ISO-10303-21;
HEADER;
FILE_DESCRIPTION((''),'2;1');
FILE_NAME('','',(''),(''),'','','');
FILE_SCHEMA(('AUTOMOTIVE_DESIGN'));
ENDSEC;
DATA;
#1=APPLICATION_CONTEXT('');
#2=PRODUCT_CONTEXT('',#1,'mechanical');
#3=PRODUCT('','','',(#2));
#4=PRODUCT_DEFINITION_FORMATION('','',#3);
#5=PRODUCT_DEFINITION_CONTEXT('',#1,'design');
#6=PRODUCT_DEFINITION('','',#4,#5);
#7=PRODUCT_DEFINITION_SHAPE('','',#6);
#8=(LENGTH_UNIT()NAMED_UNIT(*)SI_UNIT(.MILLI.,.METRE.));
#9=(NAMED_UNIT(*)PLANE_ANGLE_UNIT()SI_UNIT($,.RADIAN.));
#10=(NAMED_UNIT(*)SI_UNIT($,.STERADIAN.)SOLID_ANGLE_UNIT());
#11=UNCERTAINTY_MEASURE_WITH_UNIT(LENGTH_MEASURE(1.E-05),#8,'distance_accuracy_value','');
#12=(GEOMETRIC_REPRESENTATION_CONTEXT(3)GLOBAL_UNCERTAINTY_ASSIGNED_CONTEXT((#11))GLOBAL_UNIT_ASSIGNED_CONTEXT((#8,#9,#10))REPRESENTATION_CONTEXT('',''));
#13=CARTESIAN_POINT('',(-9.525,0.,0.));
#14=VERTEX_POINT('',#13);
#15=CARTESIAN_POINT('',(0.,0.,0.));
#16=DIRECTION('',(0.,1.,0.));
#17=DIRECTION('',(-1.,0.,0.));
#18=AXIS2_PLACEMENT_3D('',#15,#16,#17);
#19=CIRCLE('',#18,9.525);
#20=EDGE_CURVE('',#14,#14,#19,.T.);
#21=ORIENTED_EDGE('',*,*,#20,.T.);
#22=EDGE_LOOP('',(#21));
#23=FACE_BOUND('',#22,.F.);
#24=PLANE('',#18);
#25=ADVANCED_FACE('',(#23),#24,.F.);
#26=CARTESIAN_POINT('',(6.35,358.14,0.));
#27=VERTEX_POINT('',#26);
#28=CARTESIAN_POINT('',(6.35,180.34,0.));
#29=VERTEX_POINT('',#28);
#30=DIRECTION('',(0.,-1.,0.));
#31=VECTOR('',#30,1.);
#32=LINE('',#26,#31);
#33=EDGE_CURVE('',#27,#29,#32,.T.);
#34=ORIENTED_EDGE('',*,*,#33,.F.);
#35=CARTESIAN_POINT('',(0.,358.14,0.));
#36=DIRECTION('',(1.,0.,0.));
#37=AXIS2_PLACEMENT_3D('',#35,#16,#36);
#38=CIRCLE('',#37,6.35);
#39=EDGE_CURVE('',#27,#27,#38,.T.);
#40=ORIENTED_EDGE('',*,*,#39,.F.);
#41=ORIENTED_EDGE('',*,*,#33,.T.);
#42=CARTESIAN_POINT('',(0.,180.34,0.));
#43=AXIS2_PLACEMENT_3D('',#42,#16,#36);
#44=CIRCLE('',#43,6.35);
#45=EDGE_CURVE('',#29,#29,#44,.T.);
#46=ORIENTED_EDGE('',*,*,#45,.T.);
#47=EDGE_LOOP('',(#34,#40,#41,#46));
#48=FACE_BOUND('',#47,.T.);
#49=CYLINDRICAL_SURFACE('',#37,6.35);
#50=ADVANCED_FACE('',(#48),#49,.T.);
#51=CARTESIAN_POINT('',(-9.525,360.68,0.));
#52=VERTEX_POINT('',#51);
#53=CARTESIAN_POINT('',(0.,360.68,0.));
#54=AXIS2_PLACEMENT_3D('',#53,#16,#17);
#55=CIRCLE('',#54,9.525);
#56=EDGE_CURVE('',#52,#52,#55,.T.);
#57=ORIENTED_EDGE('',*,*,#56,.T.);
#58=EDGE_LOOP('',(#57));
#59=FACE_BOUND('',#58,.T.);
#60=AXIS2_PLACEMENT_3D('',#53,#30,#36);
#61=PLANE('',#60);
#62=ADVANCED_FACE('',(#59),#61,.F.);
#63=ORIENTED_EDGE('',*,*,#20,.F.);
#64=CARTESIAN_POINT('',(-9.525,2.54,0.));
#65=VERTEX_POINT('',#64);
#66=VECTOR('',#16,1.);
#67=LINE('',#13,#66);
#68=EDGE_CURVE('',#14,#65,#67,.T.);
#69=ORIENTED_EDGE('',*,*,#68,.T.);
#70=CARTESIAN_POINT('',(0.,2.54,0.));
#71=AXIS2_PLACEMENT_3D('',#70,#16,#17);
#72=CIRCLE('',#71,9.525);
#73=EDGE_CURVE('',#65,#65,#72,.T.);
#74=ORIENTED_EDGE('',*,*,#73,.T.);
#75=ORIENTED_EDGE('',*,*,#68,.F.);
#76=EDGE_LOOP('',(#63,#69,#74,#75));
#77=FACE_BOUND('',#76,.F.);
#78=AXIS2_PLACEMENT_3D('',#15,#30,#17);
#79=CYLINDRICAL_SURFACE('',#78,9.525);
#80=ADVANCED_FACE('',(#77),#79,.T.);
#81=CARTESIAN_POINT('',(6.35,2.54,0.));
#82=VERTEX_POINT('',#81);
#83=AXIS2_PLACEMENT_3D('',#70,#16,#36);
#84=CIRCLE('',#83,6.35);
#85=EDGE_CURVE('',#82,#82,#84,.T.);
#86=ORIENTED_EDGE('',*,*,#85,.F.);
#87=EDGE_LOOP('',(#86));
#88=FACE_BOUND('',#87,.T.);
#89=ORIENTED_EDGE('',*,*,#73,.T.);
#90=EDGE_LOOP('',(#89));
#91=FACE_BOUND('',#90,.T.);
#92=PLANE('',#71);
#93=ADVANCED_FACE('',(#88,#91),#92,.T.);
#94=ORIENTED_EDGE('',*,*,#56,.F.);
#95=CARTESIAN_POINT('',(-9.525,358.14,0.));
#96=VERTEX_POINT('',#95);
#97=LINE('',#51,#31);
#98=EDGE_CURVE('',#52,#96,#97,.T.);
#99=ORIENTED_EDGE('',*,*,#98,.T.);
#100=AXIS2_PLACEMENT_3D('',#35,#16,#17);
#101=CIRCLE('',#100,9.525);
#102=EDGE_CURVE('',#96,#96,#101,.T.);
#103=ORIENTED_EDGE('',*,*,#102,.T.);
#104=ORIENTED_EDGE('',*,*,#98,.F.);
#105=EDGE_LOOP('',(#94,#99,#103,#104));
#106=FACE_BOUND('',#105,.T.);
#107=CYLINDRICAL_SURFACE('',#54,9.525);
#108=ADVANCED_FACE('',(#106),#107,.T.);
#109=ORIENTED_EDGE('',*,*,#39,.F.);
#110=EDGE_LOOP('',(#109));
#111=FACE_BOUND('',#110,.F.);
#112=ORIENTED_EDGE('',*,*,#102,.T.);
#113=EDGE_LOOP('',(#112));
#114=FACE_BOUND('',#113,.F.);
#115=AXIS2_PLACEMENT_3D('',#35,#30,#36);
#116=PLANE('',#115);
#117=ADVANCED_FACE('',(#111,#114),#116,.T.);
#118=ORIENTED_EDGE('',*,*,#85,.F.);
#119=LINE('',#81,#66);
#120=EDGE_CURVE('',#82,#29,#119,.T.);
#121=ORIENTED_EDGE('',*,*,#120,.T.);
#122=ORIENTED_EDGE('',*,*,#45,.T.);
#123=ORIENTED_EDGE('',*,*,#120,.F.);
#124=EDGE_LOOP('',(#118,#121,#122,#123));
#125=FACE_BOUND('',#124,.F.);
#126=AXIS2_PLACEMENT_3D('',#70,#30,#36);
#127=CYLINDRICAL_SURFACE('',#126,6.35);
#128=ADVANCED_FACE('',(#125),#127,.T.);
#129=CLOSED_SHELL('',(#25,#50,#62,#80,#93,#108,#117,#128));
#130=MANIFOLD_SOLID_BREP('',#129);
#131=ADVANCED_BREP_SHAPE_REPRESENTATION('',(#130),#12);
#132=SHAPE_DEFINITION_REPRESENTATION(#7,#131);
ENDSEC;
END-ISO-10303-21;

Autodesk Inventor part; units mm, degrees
ref_plane "YZ Plane" through (0, 0, 0) normal (1, 0, 0) x (0, 1, 0)
ref_plane "XZ Plane" through (0, 0, 0) normal (0, 1, 0) x (-1, 0, 0)
ref_plane "XY Plane" through (0, 0, 0) normal (0, 0, 1) x (1, 0, 0)
sketch "Sketch1" plane through (0, 0, 0) normal (0, 1, 0) x (-1, 0, 0)
  circle A0 centre (0, 0) radius 9.525
  dimension "d0" = 19.05
extrude "Extrusion1" add sketch "Sketch1" along normal blind 2.54
sketch "Sketch2" plane through (0, 2.54, 0) normal (0, 1, 0) x (1, 0, 0)
  circle A0 centre (0, 0) radius 9.525 projected
  circle A1 centre (0, 0) radius 6.35
  dimension "d3" = 12.7
extrude "Extrusion2" add sketch "Sketch2" along normal blind 177.8 contours A1
mirror "Mirror1" about plane through (0, 180.34, 0) normal (0, 1, 0) of "Extrusion1"
mirror "Mirror2" about plane through (0, 180.34, 0) normal (0, 1, 0) of "Extrusion2"
properties part number "pole 1"
